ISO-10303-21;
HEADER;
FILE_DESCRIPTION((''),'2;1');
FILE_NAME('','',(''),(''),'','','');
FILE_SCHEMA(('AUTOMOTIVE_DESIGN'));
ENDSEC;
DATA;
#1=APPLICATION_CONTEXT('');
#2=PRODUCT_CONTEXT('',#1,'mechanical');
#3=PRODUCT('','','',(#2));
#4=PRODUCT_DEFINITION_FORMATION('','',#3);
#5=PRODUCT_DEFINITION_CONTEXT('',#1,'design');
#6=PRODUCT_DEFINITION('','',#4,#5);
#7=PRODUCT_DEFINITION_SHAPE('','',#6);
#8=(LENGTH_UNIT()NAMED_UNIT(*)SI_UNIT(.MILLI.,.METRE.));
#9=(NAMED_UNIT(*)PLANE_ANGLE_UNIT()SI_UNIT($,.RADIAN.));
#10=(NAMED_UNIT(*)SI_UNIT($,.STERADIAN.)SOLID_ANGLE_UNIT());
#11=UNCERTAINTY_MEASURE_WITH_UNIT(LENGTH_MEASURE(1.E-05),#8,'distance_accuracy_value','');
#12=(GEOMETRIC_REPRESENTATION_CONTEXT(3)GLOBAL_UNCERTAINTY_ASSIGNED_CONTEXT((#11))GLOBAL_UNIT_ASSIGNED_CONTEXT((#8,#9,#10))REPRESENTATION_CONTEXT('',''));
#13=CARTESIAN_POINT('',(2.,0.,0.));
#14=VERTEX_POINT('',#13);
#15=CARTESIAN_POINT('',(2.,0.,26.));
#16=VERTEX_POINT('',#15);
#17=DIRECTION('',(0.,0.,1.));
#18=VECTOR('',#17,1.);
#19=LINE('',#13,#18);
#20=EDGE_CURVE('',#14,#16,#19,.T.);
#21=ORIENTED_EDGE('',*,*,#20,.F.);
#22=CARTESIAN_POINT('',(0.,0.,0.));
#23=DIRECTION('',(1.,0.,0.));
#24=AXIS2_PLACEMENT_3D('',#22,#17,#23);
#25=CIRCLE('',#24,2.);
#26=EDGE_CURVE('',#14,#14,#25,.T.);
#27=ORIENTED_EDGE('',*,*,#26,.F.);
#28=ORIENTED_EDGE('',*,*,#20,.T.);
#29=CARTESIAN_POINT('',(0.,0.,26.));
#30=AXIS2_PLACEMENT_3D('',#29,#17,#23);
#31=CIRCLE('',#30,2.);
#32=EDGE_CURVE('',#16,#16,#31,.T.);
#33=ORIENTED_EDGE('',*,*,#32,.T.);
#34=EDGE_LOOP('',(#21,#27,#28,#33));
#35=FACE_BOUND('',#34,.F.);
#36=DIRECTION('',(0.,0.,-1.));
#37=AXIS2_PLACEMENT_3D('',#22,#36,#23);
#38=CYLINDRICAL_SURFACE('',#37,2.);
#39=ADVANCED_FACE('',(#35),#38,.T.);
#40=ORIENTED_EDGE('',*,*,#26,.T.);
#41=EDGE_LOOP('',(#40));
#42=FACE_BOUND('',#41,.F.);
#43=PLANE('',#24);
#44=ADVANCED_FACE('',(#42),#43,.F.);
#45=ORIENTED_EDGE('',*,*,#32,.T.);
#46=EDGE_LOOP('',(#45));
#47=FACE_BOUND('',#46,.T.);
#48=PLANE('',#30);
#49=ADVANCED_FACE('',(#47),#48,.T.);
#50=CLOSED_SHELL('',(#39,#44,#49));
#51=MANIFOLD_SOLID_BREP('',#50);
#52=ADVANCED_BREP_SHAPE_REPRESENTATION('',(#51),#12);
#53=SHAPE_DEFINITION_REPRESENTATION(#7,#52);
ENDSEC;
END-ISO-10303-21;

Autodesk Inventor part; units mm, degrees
ref_plane "YZ Plane" through (0, 0, 0) normal (1, 0, 0) x (0, 1, 0)
ref_plane "XZ Plane" through (0, 0, 0) normal (0, 1, 0) x (-1, 0, 0)
ref_plane "XY Plane" through (0, 0, 0) normal (0, 0, 1) x (1, 0, 0)
sketch "スケッチ1" plane through (0, 0, 0) normal (0, 0, 1) x (1, 0, 0)
  circle A0 centre (0, 0) radius 2
  dimension "d0" = 4
extrude "押し出し1" add sketch "スケッチ1" along normal blind 26
properties part number "平行ピン　φ4　長さ26" material "鋼、炭素鋼"
